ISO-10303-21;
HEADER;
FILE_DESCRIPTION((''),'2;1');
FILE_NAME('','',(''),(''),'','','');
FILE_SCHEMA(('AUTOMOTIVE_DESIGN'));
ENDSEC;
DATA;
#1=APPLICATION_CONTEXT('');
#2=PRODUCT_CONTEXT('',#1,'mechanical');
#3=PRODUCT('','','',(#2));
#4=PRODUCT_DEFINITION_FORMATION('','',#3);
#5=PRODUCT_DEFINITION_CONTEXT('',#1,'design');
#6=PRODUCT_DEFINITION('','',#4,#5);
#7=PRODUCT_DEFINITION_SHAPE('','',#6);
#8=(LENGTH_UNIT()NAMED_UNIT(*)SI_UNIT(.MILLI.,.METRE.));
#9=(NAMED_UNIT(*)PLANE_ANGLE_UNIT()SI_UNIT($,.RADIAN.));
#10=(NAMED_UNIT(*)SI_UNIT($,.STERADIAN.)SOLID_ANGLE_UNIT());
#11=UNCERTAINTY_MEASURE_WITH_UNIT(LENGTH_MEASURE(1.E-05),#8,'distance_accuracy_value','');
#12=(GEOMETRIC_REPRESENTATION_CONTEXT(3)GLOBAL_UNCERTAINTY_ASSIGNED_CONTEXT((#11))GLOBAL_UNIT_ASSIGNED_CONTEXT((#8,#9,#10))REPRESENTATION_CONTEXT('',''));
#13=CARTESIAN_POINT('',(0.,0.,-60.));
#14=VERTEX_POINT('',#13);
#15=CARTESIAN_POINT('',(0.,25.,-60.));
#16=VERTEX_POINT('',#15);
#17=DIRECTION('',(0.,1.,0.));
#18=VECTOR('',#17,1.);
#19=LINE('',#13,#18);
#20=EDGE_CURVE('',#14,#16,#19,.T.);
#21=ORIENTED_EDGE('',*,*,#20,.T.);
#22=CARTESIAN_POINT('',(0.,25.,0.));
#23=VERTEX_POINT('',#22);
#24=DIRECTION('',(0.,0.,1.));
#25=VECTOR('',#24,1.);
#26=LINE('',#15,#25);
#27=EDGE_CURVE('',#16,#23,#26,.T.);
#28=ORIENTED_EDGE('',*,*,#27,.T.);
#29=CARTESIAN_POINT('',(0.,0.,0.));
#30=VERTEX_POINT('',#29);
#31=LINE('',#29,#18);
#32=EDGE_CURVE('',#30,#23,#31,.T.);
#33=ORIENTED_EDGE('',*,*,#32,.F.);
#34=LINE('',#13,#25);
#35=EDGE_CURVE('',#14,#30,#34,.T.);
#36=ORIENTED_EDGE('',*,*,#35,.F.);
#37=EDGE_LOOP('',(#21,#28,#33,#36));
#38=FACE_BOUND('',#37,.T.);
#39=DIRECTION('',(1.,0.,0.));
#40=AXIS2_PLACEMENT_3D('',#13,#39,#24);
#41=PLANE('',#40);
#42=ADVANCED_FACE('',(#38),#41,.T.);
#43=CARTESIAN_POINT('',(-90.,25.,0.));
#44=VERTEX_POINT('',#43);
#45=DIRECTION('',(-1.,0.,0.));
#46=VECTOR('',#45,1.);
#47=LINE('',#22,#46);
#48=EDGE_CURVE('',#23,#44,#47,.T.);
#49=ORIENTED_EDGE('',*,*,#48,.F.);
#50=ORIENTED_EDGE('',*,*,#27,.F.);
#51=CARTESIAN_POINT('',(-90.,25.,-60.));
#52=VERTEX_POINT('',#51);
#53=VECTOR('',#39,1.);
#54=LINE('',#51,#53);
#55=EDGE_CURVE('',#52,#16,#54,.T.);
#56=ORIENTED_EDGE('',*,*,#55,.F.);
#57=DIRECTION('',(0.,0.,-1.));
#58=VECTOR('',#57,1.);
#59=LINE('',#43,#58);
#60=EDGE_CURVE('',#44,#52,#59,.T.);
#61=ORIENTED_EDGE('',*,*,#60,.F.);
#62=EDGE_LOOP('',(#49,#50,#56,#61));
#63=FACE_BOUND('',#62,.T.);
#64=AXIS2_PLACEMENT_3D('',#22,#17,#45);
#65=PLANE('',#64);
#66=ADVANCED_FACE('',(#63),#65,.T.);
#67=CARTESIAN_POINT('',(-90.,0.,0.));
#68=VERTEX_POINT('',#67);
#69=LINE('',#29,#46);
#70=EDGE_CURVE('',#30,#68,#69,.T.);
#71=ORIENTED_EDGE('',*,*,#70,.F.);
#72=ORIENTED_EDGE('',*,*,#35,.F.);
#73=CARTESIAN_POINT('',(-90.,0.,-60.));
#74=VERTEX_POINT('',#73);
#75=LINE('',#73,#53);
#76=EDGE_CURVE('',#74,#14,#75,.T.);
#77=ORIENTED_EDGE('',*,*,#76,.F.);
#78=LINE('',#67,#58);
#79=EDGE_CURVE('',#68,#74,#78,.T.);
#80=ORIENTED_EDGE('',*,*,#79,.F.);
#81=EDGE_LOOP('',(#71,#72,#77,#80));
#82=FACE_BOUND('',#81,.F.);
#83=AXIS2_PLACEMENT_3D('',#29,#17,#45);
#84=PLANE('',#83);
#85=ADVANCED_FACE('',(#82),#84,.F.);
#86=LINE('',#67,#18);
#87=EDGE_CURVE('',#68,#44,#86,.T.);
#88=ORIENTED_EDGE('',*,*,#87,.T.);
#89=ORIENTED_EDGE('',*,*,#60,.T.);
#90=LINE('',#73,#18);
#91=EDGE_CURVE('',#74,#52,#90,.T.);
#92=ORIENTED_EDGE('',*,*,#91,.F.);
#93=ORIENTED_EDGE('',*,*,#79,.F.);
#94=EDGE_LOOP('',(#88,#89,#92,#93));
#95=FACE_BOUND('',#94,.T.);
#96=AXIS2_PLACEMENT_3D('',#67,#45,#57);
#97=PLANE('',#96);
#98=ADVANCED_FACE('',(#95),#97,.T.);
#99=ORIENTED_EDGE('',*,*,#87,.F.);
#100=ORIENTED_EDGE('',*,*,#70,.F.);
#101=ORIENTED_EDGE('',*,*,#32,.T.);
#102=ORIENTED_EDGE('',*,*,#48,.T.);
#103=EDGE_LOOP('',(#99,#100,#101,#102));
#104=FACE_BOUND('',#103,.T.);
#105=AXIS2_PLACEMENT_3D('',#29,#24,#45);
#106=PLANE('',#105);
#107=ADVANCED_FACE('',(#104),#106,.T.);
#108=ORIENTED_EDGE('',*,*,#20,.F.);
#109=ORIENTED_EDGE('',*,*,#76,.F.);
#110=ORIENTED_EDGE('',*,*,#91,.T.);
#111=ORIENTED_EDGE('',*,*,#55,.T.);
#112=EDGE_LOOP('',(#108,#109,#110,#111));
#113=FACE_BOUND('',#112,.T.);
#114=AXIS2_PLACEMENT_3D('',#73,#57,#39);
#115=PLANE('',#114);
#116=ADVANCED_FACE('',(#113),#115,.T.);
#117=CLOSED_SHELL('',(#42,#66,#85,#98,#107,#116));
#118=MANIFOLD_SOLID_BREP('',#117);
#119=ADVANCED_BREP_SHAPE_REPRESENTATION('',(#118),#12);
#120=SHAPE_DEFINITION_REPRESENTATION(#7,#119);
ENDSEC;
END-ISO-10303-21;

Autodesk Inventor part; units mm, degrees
ref_plane "YZ Plane" through (0, 0, 0) normal (1, 0, 0) x (0, 1, 0)
ref_plane "XZ Plane" through (0, 0, 0) normal (0, 1, 0) x (-1, 0, 0)
ref_plane "XY Plane" through (0, 0, 0) normal (0, 0, 1) x (1, 0, 0)
sketch "Sketch1" plane through (0, 0, 0) normal (0, 1, 0) x (-1, 0, 0)
  line L0 (0, 0) -> (90, 0)
  line L1 (90, 0) -> (90, -60)
  line L2 (90, -60) -> (0, -60)
  line L3 (0, -60) -> (0, 0)
  dimension "d0" = 90
  dimension "d1" = 60
extrude "Extrusion1" add sketch "Sketch1" along normal blind 25
sketch "Sketch2" plane through (0, 0, -60) normal (0, 0, -1) x (-1, 0, 0)
  point P0 (0, 0)
properties part number "POWERBANK"
